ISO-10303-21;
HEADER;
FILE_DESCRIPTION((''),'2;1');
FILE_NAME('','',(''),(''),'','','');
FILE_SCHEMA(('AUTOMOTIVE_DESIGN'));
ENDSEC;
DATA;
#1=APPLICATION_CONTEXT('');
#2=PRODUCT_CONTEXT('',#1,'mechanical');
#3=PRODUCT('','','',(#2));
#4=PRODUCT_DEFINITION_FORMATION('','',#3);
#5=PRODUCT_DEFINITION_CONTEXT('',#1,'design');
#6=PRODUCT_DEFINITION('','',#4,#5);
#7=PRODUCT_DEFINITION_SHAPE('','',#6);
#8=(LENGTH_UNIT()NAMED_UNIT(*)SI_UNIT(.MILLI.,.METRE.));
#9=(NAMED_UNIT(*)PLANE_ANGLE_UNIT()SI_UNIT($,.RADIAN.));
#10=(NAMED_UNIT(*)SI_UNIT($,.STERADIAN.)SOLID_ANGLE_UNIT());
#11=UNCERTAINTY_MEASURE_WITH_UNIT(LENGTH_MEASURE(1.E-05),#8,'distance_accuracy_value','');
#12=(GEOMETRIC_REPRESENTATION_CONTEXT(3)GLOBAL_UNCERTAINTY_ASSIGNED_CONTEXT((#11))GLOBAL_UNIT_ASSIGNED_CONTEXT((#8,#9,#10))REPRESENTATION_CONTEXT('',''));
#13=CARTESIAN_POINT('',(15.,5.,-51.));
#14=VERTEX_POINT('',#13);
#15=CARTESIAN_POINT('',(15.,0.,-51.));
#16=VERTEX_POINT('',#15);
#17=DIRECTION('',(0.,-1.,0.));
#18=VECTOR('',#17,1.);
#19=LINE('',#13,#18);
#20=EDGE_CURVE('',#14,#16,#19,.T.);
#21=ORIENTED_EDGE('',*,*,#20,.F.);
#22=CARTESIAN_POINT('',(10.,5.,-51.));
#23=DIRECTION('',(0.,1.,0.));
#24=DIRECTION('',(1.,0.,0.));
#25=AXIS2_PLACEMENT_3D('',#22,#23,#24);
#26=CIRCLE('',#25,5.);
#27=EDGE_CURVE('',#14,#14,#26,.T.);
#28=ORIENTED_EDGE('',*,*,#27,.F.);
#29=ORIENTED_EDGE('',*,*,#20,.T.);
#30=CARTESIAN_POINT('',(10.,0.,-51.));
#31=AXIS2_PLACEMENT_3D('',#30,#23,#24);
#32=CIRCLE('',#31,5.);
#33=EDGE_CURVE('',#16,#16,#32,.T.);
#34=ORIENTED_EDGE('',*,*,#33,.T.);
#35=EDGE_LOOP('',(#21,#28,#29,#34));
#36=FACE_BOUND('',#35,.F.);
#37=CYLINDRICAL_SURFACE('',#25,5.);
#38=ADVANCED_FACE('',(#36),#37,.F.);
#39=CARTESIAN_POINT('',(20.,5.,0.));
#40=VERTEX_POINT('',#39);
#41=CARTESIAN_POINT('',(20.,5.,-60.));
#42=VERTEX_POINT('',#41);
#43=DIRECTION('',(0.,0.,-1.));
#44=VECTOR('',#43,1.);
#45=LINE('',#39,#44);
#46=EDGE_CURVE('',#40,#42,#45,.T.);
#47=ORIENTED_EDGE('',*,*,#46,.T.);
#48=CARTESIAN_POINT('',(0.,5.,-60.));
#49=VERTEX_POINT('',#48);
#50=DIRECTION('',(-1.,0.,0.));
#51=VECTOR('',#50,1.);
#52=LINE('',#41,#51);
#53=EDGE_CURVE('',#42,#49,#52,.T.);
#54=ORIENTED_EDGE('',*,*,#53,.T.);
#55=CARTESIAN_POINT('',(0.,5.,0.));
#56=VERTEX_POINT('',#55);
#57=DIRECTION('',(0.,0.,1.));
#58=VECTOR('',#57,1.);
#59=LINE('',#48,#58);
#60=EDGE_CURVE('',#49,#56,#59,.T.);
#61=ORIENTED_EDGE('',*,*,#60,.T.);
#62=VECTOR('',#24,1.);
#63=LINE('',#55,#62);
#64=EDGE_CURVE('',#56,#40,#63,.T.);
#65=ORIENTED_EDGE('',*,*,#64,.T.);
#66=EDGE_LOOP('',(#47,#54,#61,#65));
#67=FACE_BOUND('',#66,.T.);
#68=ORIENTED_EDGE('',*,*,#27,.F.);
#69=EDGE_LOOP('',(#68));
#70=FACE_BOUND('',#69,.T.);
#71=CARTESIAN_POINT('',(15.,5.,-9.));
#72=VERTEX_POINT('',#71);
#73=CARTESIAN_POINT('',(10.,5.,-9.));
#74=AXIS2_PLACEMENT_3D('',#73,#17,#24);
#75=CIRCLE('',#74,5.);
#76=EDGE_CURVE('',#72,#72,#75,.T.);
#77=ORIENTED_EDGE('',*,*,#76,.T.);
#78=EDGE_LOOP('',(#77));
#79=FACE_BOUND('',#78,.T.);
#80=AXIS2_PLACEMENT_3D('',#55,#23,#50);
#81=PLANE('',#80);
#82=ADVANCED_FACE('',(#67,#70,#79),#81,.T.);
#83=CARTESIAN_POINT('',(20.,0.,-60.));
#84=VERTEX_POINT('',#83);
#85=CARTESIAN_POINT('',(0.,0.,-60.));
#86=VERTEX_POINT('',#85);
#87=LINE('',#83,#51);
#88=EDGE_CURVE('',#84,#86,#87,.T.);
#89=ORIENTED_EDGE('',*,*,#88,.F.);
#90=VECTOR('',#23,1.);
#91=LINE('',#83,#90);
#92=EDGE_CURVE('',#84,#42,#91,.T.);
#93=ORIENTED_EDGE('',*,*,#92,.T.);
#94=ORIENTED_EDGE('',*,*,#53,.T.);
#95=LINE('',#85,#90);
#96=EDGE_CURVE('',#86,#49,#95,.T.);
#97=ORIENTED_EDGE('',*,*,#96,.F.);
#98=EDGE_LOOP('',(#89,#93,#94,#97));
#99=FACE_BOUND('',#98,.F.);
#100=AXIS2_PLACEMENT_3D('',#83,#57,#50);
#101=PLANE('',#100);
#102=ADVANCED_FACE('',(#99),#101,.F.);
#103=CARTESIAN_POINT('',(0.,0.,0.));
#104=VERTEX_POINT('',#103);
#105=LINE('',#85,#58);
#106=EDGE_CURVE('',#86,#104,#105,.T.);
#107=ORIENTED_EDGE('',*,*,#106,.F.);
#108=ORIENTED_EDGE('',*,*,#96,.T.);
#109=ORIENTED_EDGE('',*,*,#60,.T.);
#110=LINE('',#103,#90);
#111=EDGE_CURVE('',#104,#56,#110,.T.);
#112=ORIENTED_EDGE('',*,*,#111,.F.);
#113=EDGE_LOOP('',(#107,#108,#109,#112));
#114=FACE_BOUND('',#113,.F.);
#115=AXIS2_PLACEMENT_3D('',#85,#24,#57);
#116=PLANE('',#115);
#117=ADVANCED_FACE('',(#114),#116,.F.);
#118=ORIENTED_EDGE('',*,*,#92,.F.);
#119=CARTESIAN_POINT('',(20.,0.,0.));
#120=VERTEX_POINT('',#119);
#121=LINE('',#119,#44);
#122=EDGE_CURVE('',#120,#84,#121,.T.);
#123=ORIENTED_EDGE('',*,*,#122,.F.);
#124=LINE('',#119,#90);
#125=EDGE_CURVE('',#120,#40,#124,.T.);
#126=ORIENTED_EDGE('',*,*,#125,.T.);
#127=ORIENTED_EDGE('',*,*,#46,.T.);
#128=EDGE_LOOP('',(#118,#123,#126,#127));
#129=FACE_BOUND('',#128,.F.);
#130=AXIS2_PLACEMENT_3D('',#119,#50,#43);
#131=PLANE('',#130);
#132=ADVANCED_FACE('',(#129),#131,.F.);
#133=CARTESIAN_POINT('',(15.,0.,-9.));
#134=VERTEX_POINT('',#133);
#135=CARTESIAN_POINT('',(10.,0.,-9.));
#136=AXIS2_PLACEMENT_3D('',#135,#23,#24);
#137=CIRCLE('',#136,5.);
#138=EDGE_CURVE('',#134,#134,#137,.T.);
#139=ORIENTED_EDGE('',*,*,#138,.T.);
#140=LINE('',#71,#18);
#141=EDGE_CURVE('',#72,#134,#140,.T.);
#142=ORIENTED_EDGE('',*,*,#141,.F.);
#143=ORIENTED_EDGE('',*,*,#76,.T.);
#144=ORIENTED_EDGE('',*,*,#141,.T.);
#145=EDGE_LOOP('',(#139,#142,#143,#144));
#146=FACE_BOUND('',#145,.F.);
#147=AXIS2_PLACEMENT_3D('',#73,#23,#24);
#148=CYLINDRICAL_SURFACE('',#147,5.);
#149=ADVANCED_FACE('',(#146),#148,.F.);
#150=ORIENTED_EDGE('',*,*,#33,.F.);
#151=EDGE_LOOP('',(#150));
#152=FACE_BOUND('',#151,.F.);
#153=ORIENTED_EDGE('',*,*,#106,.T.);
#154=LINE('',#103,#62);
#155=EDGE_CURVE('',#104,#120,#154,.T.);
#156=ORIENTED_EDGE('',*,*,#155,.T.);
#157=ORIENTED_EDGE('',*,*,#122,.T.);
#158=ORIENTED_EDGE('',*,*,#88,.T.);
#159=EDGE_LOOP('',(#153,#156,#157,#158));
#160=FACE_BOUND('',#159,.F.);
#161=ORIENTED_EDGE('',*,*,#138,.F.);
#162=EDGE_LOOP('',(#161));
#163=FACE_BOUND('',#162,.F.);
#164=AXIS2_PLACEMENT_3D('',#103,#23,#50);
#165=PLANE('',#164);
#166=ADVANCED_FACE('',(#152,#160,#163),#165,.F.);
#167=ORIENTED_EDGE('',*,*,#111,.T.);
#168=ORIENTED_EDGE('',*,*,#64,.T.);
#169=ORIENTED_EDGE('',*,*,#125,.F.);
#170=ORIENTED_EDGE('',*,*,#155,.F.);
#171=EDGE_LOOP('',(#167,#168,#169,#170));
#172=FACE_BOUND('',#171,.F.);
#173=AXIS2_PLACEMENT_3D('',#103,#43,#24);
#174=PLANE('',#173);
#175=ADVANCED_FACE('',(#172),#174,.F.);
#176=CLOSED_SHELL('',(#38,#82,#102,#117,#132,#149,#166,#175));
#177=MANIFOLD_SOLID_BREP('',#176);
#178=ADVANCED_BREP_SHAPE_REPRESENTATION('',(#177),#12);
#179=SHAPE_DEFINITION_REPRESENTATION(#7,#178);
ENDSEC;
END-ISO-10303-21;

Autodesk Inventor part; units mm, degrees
ref_plane "YZ Plane" through (0, 0, 0) normal (1, 0, 0) x (0, 1, 0)
ref_plane "XZ Plane" through (0, 0, 0) normal (0, 1, 0) x (-1, 0, 0)
ref_plane "XY Plane" through (0, 0, 0) normal (0, 0, 1) x (1, 0, 0)
sketch "Sketch1" plane through (0, 0, 0) normal (0, 1, 0) x (-1, 0, 0)
  line L0 (0, 0) -> (-20, 0)
  line L1 (-20, 0) -> (-20, -60)
  line L2 (-20, -60) -> (0, -60)
  line L3 (0, -60) -> (0, 0)
  dimension "d0" = 20
  dimension "d1" = 60
extrude "Extrusion1" add sketch "Sketch1" along normal blind 5
sketch "Sketch2" plane through (0, 5, 0) normal (0, 1, 0) x (1, 0, 0)
  line L0 (0, 0) -> (20, 0) projected
  line L1 (10, 0) -> (10, 9)
  line L2 (10, 0) -> (19, 0) construction
  circle A0 centre (10, 9) radius 5
  line L3 (20, 60) -> (0, 60) projected
  line L4 (0, 0) -> (0, 60)
  line L5 (0, 60) -> (0, 0) projected
  line L6 (0, 30) -> (2.0385, 30)
  circle A1 centre (10, 51) radius 5
  dimension "d5" = 9
  dimension "d6" = 90
  dimension "d7" = 10
extrude "Extrusion2" cut sketch "Sketch2" against normal blind 23
properties part number "BaseBancada"
